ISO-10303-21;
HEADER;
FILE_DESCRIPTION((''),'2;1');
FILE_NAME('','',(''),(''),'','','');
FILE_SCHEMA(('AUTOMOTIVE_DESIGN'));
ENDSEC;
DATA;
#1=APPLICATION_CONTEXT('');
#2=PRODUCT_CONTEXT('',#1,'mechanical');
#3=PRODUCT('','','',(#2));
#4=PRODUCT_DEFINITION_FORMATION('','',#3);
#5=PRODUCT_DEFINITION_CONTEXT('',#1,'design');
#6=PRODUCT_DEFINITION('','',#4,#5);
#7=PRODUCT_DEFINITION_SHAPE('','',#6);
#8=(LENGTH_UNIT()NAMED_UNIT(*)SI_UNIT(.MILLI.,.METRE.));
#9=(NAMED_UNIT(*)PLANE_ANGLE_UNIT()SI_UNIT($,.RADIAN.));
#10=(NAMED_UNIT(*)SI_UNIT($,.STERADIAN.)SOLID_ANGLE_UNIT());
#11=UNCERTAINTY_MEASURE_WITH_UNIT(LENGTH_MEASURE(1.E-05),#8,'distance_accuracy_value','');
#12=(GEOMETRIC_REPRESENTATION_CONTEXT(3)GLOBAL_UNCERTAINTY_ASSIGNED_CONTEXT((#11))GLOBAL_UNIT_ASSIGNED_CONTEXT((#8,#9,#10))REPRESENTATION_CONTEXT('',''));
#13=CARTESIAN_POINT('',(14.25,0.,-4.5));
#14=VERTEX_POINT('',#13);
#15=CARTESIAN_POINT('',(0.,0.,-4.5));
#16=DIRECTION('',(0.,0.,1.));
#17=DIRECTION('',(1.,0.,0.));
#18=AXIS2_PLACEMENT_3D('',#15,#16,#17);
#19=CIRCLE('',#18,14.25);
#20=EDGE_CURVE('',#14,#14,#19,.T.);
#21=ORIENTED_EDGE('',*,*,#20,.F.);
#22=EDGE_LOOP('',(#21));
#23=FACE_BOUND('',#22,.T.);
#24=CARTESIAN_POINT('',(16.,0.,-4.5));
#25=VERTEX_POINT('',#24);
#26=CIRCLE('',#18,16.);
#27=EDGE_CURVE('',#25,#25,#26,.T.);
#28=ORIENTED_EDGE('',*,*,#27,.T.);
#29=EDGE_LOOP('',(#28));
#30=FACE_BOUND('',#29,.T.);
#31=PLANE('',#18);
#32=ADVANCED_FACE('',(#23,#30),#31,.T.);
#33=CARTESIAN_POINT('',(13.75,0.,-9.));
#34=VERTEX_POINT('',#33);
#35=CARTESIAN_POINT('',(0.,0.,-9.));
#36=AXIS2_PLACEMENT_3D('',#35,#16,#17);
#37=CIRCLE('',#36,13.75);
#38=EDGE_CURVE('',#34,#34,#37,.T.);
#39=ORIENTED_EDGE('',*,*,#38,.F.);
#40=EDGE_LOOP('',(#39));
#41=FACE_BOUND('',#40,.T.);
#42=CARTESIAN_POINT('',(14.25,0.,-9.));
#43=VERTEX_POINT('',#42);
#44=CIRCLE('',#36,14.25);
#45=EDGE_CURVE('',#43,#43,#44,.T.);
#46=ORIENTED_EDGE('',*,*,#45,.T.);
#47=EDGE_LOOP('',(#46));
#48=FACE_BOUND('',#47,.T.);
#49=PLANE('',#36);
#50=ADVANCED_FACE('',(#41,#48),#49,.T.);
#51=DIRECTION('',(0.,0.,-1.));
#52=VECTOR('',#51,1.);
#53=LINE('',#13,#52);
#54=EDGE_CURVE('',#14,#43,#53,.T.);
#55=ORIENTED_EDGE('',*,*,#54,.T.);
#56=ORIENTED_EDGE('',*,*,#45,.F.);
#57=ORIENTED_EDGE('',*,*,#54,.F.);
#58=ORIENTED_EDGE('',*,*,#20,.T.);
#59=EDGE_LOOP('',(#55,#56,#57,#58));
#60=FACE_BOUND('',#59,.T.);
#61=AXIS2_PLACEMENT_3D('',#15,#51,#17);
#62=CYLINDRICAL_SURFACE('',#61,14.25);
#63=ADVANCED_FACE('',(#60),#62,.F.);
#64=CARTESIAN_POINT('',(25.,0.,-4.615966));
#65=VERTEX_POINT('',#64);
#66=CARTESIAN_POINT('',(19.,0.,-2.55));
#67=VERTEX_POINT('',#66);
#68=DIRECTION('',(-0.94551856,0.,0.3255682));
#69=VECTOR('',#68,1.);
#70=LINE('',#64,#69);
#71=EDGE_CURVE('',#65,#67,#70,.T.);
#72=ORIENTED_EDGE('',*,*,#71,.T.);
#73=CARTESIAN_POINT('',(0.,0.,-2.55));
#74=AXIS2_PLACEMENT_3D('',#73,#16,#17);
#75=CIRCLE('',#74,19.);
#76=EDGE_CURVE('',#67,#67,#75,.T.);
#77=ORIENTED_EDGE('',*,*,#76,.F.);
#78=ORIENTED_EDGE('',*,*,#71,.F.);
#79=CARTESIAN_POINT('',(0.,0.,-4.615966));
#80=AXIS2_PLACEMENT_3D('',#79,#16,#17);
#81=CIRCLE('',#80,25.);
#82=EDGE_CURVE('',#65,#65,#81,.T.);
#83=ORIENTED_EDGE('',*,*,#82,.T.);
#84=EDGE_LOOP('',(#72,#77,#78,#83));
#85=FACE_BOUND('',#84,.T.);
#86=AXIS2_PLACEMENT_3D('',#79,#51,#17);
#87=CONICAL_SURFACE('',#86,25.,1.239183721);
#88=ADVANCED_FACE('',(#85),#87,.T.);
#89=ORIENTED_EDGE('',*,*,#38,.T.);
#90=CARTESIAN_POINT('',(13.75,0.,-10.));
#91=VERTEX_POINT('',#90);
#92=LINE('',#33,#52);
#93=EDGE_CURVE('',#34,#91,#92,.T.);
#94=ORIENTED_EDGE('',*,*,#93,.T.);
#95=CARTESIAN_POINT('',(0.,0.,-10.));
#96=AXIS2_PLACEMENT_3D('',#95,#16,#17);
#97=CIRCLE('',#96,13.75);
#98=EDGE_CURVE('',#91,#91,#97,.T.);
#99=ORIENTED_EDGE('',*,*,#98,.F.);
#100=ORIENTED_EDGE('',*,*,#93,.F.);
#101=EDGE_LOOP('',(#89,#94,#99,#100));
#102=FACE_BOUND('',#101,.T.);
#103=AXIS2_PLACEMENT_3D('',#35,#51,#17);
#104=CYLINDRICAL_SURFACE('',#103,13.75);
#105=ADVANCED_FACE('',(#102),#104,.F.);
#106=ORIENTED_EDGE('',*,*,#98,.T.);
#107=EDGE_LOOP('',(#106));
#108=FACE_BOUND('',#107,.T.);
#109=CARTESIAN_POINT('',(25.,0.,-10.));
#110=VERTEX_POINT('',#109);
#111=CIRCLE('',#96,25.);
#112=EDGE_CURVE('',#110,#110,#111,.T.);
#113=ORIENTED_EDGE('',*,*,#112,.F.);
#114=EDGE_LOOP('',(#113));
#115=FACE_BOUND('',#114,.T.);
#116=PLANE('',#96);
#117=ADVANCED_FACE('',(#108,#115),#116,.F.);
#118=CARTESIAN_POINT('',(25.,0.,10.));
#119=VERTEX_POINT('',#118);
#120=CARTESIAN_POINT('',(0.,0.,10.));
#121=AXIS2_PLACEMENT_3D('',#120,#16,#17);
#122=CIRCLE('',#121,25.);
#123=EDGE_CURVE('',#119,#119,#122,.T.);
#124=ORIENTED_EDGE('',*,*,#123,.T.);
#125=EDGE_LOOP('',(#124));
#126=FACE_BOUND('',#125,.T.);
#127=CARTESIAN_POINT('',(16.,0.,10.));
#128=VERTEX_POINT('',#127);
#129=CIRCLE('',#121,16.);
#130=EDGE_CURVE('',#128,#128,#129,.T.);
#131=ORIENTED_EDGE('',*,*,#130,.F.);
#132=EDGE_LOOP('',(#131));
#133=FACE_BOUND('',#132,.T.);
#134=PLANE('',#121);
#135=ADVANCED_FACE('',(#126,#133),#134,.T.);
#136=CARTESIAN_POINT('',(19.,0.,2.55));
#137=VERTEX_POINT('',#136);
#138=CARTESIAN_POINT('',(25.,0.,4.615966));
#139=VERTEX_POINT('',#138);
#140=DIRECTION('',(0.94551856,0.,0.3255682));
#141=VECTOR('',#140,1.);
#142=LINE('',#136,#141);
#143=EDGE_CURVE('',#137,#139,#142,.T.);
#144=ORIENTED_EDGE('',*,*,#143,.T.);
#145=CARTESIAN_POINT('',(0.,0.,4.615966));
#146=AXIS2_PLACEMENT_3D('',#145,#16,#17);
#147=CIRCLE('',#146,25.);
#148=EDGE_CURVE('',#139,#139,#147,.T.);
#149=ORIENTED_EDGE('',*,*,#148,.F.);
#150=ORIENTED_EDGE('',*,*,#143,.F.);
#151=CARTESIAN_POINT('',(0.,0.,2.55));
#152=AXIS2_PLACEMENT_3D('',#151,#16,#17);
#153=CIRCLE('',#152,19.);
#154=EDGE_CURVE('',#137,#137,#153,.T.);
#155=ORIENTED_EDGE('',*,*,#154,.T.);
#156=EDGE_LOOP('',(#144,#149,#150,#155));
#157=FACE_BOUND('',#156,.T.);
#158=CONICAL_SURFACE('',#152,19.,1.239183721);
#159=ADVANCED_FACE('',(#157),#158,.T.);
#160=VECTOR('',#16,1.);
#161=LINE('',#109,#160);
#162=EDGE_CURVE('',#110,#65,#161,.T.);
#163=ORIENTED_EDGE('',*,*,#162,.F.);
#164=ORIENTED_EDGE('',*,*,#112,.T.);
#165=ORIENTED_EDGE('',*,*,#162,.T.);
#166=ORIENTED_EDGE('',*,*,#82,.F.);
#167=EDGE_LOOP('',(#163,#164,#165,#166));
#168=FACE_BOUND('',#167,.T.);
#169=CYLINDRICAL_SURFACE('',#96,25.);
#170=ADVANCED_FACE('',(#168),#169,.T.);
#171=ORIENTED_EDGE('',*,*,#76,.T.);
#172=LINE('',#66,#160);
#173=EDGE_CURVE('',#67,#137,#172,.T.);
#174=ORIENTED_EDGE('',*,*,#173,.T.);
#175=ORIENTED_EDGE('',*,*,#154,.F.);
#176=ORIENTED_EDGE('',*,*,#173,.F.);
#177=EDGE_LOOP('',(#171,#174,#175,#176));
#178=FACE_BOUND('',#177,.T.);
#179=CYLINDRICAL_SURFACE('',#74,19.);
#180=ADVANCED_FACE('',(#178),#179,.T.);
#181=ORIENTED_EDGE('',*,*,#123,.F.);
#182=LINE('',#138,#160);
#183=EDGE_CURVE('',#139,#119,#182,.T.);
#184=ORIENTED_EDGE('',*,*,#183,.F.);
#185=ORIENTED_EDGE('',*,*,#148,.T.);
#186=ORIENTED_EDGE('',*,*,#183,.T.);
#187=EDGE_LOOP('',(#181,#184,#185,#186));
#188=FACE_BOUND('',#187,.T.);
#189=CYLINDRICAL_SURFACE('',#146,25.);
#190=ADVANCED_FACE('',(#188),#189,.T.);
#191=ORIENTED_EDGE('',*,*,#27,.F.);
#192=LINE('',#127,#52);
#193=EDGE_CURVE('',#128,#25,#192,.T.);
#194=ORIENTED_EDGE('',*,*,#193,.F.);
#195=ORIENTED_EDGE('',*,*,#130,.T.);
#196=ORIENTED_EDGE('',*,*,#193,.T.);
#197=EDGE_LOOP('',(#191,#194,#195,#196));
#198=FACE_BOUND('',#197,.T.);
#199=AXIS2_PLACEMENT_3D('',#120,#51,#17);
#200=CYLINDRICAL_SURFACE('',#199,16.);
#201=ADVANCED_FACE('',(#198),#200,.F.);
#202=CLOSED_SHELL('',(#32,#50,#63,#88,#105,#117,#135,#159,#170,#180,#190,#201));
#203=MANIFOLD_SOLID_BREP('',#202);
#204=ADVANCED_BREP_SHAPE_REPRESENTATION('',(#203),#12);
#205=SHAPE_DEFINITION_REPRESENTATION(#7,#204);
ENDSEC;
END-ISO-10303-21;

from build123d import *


with BuildPart() as part:
    # Sketch → Revolution001 (revolve)
    with BuildSketch(Plane.XZ):
        Polygon((13.75, -10), (25, -10), (25, -4.615966), (19, -2.55), (19, 2.55), (25, 4.615966), (25, 10), (16, 10), (16, -4.5), (14.25, -4.5), (14.25, -9), (13.75, -9), align=None)
    revolve(axis=Axis((0, 0, 0), (0, 0, 1)))


solid = part.part
